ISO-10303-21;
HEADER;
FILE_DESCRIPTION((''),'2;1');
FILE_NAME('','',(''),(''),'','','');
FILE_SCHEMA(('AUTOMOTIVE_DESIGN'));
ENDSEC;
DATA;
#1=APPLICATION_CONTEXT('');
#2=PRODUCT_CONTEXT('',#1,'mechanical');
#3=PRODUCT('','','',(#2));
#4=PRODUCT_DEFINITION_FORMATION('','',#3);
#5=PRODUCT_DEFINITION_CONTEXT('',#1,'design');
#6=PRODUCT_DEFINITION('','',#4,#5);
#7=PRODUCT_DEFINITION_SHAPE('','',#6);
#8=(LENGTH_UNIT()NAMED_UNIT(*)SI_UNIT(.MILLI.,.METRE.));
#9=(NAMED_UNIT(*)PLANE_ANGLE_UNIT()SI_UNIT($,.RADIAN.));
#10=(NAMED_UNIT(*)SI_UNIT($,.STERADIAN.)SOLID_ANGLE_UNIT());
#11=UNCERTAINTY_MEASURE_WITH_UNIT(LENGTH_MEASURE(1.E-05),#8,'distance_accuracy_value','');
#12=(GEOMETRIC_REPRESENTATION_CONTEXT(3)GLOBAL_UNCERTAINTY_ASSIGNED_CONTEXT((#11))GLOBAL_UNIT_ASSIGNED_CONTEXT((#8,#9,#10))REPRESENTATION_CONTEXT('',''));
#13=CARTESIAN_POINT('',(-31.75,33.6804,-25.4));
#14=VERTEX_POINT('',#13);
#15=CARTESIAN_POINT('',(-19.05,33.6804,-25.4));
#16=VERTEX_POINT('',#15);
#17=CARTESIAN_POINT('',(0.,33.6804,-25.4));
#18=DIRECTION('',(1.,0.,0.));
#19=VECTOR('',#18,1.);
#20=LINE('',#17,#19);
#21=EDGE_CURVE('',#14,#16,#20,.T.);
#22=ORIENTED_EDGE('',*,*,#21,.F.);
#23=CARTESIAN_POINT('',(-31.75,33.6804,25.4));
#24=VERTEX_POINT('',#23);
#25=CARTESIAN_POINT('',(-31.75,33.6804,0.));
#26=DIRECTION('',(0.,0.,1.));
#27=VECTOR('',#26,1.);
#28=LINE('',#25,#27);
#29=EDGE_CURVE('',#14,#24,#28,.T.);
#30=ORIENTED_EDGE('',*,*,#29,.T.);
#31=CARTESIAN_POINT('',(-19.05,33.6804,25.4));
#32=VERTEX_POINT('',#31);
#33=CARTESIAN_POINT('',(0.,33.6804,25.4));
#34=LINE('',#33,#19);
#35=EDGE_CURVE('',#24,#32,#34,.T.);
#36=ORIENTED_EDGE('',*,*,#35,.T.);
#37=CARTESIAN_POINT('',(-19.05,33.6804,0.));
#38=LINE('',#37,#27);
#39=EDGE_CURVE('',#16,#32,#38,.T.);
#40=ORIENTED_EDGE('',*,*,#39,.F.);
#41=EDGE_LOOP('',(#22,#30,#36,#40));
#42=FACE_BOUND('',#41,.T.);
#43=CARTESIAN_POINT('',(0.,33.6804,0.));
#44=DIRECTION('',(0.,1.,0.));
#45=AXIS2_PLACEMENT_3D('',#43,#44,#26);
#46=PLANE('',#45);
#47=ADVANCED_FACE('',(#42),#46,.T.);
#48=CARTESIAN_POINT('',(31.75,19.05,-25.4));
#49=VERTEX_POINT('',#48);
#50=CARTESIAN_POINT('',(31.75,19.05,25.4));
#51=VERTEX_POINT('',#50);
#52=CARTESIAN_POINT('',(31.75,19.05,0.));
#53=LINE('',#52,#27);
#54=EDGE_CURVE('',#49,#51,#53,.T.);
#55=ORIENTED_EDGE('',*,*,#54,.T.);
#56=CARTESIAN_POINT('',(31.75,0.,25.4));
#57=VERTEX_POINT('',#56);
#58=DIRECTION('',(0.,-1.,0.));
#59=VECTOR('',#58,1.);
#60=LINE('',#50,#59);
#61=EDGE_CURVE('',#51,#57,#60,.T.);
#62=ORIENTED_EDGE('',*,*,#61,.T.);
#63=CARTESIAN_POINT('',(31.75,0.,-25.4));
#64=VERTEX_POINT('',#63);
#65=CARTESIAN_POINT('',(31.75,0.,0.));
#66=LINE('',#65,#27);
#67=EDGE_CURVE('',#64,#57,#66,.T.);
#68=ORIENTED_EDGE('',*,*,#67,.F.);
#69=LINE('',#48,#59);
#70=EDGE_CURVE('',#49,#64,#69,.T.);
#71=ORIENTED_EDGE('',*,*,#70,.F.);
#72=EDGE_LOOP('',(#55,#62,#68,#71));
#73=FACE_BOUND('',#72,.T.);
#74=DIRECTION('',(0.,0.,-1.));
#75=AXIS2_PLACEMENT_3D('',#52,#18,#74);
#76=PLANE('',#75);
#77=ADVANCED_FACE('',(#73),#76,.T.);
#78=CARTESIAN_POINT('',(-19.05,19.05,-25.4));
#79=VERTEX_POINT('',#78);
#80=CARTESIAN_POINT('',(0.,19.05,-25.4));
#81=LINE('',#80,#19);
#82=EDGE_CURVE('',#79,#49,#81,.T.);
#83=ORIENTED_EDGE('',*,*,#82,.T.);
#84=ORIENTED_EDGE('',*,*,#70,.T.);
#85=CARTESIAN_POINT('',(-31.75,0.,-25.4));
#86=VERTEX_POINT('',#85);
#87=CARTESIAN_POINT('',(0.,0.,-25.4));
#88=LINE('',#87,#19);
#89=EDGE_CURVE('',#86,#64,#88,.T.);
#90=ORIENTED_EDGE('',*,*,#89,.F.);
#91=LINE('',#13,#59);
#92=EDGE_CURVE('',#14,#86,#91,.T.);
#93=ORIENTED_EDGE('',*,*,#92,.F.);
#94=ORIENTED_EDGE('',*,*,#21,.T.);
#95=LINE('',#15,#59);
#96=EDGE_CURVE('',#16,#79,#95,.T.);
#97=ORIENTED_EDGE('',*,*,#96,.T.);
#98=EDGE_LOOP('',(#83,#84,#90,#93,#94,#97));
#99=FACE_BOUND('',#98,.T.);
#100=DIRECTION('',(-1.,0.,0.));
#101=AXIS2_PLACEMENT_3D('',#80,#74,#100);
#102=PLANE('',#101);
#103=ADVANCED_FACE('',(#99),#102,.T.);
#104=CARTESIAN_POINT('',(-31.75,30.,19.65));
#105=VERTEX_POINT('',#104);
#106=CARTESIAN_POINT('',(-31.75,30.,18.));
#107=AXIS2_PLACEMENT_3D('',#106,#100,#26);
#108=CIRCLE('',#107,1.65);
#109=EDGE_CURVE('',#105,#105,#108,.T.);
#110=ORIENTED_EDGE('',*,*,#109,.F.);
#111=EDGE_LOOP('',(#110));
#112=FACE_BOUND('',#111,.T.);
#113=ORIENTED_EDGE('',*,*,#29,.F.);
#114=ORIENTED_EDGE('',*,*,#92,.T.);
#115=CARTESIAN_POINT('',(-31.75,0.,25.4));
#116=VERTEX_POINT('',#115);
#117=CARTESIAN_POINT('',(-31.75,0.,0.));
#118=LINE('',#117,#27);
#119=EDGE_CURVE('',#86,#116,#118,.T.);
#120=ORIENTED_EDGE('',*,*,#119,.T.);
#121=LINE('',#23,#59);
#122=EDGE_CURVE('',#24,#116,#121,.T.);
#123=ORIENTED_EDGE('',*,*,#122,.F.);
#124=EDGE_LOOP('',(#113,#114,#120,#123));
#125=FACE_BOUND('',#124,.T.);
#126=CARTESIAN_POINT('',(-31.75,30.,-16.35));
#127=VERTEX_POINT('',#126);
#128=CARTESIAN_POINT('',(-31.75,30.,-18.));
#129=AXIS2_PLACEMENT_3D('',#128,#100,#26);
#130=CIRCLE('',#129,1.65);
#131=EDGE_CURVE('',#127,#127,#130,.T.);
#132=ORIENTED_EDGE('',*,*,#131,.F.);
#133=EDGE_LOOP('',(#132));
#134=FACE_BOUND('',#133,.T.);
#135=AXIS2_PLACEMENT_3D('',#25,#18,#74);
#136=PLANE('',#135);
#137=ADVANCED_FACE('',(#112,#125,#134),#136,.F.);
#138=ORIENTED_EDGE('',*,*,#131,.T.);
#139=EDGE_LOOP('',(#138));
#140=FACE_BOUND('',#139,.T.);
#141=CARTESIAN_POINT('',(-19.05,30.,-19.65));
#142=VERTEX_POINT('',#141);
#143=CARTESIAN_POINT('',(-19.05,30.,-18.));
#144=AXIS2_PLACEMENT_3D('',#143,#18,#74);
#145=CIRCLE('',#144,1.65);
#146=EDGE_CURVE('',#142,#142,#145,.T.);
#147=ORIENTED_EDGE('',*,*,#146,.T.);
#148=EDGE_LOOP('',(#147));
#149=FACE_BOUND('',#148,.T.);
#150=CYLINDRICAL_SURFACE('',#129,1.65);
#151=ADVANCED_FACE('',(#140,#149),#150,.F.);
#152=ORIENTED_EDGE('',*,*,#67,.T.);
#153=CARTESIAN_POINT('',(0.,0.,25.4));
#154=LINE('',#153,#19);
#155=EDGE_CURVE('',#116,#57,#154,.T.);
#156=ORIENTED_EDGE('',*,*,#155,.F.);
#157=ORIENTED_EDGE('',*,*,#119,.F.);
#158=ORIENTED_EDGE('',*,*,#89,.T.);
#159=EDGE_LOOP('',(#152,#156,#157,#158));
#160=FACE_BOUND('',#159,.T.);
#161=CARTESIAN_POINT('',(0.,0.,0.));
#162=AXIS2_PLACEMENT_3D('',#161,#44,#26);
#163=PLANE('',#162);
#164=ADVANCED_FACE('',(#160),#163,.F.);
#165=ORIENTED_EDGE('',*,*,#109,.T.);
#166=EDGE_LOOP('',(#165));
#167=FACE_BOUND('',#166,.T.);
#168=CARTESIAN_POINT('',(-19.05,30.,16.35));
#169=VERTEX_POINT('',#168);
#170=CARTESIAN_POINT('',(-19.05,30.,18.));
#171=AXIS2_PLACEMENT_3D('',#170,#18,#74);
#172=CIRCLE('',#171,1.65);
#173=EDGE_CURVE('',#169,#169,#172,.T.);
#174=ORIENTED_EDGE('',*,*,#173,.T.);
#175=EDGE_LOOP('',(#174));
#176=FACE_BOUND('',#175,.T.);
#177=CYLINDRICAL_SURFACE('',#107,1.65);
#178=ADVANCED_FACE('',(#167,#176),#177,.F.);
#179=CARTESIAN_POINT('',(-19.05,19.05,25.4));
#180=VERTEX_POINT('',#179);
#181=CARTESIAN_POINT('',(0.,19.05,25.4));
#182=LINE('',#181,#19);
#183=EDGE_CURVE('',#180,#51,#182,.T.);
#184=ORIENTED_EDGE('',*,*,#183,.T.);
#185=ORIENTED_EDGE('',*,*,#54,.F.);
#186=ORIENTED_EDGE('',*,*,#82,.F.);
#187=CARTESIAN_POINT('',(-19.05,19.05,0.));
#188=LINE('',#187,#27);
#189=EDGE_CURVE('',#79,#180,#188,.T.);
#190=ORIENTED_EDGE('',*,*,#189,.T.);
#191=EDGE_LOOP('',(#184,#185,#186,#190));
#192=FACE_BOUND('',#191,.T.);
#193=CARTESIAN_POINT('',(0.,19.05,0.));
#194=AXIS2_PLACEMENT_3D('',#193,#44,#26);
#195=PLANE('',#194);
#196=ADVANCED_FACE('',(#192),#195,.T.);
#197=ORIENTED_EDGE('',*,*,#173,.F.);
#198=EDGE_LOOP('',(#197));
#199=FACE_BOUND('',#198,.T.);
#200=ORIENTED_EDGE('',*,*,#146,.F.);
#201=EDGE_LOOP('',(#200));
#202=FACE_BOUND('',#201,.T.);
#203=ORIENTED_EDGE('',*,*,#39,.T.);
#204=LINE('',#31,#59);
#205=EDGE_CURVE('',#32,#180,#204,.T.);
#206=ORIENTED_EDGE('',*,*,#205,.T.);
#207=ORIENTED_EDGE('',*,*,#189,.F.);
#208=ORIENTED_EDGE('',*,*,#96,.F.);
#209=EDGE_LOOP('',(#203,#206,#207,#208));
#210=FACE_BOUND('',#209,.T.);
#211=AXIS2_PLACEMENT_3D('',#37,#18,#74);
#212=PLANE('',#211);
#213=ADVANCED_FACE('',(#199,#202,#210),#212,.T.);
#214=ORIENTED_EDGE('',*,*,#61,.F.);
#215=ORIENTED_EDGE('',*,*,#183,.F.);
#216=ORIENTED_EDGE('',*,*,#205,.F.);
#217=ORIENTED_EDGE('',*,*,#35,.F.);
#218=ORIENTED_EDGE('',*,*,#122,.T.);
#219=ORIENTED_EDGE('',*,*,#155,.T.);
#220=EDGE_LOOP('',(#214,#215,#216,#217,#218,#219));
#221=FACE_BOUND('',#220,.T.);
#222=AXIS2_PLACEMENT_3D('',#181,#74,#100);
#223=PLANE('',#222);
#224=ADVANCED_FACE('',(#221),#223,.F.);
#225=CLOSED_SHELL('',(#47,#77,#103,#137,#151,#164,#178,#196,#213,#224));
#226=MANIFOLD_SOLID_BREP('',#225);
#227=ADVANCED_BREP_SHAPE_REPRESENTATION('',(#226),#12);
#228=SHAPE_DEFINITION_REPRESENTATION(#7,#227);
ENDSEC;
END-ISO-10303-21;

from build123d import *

# Parameters (mm, degrees)
SKETCH1_W             = 50.8
SKETCH1_H             = 50.8
BOSS_EXTRUDE1_DEPTH   = 19.05
SKETCH1_3_W           = 12.7
SKETCH1_3_H           = 50.8
BOSS_EXTRUDE2_DEPTH   = 33.6804
M4X0_7_TAPPED_HOLE1_D = 3.3


with BuildPart() as part:
    # Sketch1 → Boss-Extrude1 (new body)
    with BuildSketch(Plane(origin=(0, 0, 0), x_dir=(1, 0, 0), z_dir=(0, 1, 0))):
        with Locations((6.35, 0)):
            Rectangle(SKETCH1_W, SKETCH1_H)
    extrude(amount=BOSS_EXTRUDE1_DEPTH)

    # Sketch1<3> → Boss-Extrude2 (add)
    with BuildSketch(Plane(origin=(0, 0, 0), x_dir=(1, 0, 0), z_dir=(0, 1, 0))):
        with Locations((-25.4, 0)):
            Rectangle(SKETCH1_3_W, SKETCH1_3_H)
    extrude(amount=BOSS_EXTRUDE2_DEPTH)

    # M4x0.7 Tapped Hole1 (through all)
    with Locations(Plane.ZY.offset(31.75)):
        with Locations((18, 30), (-18, 30)):
            Hole(M4X0_7_TAPPED_HOLE1_D / 2)


solid = part.part
